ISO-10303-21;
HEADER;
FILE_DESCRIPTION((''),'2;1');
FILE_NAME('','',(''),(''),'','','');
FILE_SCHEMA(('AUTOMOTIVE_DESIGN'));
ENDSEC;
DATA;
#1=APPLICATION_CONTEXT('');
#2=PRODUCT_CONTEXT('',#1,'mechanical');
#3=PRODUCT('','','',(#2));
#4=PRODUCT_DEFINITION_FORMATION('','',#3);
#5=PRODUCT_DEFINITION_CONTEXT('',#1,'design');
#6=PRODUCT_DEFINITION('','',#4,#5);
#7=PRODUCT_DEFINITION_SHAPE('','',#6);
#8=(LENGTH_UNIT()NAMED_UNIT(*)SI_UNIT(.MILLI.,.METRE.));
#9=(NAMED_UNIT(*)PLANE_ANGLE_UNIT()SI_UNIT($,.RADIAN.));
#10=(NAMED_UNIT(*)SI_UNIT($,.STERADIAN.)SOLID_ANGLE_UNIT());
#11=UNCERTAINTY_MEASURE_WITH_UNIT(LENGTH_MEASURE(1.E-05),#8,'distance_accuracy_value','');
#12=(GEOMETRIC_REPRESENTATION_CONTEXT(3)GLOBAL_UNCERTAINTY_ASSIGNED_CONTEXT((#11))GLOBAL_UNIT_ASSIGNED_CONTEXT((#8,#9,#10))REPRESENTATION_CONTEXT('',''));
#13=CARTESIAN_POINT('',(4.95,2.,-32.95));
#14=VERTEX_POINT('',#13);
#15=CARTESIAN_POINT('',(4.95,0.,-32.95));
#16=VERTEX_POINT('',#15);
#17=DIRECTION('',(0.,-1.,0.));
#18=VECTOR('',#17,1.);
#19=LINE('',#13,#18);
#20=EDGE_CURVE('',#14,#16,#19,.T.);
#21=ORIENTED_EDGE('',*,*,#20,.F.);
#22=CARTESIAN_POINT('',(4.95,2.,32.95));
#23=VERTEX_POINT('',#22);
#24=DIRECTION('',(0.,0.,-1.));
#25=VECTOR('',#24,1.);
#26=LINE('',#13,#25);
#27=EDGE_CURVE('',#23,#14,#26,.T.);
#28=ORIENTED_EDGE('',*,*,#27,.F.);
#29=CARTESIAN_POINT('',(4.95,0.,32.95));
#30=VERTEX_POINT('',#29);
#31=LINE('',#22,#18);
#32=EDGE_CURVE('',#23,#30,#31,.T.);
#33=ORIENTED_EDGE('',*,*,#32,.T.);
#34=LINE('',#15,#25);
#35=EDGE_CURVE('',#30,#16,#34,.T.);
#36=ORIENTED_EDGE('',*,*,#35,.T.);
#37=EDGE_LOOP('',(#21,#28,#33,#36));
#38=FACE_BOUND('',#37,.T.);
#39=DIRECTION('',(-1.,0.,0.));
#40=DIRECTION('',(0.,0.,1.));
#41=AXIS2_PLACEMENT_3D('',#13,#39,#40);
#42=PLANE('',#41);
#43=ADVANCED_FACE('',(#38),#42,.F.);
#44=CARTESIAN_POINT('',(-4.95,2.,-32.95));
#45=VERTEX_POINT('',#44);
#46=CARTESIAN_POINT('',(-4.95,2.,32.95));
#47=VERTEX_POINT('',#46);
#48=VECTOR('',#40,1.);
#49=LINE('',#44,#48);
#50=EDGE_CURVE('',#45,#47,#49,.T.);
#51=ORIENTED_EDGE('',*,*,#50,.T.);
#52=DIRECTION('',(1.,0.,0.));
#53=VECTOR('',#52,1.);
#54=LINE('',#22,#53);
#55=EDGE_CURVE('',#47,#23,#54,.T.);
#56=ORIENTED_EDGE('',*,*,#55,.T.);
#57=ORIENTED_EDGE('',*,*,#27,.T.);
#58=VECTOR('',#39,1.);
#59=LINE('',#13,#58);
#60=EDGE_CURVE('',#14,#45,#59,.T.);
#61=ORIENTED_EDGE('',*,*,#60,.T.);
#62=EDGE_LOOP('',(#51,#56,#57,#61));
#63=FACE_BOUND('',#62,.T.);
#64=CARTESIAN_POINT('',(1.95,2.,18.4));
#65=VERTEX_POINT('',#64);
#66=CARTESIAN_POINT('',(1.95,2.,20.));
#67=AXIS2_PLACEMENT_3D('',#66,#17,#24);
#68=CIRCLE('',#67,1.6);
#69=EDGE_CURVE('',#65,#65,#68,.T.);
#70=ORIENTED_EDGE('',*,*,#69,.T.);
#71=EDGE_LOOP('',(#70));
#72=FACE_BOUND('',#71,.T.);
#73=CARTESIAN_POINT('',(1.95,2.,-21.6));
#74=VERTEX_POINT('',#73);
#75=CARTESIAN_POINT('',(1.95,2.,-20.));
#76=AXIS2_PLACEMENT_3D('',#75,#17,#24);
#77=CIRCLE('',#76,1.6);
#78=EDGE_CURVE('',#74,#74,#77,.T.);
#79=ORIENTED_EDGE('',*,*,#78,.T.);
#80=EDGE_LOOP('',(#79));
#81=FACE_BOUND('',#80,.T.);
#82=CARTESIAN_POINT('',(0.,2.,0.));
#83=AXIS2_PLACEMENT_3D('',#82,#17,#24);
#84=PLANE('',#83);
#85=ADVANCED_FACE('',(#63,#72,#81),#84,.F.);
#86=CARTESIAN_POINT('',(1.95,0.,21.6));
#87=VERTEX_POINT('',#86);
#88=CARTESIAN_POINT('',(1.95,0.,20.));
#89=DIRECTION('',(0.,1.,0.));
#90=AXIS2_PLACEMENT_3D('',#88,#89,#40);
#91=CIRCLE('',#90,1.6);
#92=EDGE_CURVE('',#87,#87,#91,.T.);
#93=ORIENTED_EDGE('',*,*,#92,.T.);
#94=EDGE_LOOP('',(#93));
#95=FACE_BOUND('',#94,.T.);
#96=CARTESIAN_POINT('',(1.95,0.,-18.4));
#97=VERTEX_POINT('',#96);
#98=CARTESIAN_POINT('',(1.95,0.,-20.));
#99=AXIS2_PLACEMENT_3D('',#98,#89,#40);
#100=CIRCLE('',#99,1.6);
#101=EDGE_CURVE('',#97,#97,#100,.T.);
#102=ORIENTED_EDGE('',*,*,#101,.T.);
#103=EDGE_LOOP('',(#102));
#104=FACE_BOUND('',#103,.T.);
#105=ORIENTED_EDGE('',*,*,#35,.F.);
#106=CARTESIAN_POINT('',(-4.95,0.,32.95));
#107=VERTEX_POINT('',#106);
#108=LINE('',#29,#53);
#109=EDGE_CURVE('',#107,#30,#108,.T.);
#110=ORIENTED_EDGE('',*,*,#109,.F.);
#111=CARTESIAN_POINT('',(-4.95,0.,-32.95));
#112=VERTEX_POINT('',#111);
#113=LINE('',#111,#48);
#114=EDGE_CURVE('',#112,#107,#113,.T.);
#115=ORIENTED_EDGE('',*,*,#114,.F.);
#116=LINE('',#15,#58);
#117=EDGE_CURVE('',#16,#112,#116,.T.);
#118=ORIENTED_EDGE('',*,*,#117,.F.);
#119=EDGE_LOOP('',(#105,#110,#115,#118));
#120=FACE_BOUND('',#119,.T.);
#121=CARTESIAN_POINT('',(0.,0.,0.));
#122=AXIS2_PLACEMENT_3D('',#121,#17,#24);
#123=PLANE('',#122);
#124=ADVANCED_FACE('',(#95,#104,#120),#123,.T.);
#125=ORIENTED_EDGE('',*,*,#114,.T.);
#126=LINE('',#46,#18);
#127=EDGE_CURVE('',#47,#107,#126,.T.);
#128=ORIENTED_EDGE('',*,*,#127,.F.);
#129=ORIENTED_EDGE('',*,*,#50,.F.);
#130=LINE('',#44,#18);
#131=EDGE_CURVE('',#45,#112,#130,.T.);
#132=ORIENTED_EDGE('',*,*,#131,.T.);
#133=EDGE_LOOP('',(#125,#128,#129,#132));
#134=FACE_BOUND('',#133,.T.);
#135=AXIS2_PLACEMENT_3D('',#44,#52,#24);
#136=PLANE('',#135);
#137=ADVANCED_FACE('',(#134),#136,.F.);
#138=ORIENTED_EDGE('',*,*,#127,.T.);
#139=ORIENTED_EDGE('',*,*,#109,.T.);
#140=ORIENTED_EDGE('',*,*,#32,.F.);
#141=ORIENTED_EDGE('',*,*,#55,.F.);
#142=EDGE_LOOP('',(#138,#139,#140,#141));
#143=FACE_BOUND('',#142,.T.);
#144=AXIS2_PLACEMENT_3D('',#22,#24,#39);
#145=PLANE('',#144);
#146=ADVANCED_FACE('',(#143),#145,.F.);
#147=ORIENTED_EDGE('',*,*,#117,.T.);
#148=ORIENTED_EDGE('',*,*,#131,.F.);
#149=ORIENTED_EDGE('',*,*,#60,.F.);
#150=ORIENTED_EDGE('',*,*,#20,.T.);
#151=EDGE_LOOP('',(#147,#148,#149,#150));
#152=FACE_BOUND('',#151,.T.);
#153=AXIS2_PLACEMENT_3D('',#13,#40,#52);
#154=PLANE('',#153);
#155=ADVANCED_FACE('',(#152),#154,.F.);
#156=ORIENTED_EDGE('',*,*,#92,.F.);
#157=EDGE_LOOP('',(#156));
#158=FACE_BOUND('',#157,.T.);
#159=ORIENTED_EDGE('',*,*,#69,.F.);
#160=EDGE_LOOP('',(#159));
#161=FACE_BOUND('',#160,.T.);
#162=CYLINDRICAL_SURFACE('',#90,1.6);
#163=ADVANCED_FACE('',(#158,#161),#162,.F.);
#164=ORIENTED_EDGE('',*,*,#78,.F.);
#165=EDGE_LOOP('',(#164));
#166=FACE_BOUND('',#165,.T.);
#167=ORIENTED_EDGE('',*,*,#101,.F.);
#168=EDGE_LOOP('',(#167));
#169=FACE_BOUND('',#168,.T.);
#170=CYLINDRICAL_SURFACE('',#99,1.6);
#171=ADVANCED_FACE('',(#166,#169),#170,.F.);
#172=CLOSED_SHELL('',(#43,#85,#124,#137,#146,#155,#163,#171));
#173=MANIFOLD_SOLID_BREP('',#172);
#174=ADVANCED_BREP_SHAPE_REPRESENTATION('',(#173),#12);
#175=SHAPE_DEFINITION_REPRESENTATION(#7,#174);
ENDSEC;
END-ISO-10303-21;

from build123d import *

# Parameters (mm, degrees)
SKETCH_1_W               = 9.9
SKETCH_1_H               = 65.9
EXTRUDE_1_DEPTH          = 2
SKETCH_2_R               = 1.6
CUT_EXTRUDE_1_DEPTH      = 1
CUT_EXTRUDE_1_DEPTH_BACK = 3


with BuildPart() as part:
    # Эскиз1 → Бобышка-Вытянуть1 (new body)
    with BuildSketch(Plane(origin=(0, 0, 0), x_dir=(1, 0, 0), z_dir=(0, 1, 0))):
        Rectangle(SKETCH_1_W, SKETCH_1_H)
    extrude(amount=EXTRUDE_1_DEPTH)

    # Эскиз2 → Вырез-Вытянуть1 (cut, two sides)
    with BuildSketch(Plane(origin=(0, 2, 0), x_dir=(1, 0, 0), z_dir=(0, 1, 0))) as cut_extrude_1_sk:
        with Locations((1.95, 20)):
            Circle(SKETCH_2_R)
        with Locations((1.95, -20)):
            Circle(SKETCH_2_R)
    extrude(amount=CUT_EXTRUDE_1_DEPTH, mode=Mode.SUBTRACT)
    extrude(cut_extrude_1_sk.sketch, amount=-CUT_EXTRUDE_1_DEPTH_BACK, mode=Mode.SUBTRACT)


solid = part.part
